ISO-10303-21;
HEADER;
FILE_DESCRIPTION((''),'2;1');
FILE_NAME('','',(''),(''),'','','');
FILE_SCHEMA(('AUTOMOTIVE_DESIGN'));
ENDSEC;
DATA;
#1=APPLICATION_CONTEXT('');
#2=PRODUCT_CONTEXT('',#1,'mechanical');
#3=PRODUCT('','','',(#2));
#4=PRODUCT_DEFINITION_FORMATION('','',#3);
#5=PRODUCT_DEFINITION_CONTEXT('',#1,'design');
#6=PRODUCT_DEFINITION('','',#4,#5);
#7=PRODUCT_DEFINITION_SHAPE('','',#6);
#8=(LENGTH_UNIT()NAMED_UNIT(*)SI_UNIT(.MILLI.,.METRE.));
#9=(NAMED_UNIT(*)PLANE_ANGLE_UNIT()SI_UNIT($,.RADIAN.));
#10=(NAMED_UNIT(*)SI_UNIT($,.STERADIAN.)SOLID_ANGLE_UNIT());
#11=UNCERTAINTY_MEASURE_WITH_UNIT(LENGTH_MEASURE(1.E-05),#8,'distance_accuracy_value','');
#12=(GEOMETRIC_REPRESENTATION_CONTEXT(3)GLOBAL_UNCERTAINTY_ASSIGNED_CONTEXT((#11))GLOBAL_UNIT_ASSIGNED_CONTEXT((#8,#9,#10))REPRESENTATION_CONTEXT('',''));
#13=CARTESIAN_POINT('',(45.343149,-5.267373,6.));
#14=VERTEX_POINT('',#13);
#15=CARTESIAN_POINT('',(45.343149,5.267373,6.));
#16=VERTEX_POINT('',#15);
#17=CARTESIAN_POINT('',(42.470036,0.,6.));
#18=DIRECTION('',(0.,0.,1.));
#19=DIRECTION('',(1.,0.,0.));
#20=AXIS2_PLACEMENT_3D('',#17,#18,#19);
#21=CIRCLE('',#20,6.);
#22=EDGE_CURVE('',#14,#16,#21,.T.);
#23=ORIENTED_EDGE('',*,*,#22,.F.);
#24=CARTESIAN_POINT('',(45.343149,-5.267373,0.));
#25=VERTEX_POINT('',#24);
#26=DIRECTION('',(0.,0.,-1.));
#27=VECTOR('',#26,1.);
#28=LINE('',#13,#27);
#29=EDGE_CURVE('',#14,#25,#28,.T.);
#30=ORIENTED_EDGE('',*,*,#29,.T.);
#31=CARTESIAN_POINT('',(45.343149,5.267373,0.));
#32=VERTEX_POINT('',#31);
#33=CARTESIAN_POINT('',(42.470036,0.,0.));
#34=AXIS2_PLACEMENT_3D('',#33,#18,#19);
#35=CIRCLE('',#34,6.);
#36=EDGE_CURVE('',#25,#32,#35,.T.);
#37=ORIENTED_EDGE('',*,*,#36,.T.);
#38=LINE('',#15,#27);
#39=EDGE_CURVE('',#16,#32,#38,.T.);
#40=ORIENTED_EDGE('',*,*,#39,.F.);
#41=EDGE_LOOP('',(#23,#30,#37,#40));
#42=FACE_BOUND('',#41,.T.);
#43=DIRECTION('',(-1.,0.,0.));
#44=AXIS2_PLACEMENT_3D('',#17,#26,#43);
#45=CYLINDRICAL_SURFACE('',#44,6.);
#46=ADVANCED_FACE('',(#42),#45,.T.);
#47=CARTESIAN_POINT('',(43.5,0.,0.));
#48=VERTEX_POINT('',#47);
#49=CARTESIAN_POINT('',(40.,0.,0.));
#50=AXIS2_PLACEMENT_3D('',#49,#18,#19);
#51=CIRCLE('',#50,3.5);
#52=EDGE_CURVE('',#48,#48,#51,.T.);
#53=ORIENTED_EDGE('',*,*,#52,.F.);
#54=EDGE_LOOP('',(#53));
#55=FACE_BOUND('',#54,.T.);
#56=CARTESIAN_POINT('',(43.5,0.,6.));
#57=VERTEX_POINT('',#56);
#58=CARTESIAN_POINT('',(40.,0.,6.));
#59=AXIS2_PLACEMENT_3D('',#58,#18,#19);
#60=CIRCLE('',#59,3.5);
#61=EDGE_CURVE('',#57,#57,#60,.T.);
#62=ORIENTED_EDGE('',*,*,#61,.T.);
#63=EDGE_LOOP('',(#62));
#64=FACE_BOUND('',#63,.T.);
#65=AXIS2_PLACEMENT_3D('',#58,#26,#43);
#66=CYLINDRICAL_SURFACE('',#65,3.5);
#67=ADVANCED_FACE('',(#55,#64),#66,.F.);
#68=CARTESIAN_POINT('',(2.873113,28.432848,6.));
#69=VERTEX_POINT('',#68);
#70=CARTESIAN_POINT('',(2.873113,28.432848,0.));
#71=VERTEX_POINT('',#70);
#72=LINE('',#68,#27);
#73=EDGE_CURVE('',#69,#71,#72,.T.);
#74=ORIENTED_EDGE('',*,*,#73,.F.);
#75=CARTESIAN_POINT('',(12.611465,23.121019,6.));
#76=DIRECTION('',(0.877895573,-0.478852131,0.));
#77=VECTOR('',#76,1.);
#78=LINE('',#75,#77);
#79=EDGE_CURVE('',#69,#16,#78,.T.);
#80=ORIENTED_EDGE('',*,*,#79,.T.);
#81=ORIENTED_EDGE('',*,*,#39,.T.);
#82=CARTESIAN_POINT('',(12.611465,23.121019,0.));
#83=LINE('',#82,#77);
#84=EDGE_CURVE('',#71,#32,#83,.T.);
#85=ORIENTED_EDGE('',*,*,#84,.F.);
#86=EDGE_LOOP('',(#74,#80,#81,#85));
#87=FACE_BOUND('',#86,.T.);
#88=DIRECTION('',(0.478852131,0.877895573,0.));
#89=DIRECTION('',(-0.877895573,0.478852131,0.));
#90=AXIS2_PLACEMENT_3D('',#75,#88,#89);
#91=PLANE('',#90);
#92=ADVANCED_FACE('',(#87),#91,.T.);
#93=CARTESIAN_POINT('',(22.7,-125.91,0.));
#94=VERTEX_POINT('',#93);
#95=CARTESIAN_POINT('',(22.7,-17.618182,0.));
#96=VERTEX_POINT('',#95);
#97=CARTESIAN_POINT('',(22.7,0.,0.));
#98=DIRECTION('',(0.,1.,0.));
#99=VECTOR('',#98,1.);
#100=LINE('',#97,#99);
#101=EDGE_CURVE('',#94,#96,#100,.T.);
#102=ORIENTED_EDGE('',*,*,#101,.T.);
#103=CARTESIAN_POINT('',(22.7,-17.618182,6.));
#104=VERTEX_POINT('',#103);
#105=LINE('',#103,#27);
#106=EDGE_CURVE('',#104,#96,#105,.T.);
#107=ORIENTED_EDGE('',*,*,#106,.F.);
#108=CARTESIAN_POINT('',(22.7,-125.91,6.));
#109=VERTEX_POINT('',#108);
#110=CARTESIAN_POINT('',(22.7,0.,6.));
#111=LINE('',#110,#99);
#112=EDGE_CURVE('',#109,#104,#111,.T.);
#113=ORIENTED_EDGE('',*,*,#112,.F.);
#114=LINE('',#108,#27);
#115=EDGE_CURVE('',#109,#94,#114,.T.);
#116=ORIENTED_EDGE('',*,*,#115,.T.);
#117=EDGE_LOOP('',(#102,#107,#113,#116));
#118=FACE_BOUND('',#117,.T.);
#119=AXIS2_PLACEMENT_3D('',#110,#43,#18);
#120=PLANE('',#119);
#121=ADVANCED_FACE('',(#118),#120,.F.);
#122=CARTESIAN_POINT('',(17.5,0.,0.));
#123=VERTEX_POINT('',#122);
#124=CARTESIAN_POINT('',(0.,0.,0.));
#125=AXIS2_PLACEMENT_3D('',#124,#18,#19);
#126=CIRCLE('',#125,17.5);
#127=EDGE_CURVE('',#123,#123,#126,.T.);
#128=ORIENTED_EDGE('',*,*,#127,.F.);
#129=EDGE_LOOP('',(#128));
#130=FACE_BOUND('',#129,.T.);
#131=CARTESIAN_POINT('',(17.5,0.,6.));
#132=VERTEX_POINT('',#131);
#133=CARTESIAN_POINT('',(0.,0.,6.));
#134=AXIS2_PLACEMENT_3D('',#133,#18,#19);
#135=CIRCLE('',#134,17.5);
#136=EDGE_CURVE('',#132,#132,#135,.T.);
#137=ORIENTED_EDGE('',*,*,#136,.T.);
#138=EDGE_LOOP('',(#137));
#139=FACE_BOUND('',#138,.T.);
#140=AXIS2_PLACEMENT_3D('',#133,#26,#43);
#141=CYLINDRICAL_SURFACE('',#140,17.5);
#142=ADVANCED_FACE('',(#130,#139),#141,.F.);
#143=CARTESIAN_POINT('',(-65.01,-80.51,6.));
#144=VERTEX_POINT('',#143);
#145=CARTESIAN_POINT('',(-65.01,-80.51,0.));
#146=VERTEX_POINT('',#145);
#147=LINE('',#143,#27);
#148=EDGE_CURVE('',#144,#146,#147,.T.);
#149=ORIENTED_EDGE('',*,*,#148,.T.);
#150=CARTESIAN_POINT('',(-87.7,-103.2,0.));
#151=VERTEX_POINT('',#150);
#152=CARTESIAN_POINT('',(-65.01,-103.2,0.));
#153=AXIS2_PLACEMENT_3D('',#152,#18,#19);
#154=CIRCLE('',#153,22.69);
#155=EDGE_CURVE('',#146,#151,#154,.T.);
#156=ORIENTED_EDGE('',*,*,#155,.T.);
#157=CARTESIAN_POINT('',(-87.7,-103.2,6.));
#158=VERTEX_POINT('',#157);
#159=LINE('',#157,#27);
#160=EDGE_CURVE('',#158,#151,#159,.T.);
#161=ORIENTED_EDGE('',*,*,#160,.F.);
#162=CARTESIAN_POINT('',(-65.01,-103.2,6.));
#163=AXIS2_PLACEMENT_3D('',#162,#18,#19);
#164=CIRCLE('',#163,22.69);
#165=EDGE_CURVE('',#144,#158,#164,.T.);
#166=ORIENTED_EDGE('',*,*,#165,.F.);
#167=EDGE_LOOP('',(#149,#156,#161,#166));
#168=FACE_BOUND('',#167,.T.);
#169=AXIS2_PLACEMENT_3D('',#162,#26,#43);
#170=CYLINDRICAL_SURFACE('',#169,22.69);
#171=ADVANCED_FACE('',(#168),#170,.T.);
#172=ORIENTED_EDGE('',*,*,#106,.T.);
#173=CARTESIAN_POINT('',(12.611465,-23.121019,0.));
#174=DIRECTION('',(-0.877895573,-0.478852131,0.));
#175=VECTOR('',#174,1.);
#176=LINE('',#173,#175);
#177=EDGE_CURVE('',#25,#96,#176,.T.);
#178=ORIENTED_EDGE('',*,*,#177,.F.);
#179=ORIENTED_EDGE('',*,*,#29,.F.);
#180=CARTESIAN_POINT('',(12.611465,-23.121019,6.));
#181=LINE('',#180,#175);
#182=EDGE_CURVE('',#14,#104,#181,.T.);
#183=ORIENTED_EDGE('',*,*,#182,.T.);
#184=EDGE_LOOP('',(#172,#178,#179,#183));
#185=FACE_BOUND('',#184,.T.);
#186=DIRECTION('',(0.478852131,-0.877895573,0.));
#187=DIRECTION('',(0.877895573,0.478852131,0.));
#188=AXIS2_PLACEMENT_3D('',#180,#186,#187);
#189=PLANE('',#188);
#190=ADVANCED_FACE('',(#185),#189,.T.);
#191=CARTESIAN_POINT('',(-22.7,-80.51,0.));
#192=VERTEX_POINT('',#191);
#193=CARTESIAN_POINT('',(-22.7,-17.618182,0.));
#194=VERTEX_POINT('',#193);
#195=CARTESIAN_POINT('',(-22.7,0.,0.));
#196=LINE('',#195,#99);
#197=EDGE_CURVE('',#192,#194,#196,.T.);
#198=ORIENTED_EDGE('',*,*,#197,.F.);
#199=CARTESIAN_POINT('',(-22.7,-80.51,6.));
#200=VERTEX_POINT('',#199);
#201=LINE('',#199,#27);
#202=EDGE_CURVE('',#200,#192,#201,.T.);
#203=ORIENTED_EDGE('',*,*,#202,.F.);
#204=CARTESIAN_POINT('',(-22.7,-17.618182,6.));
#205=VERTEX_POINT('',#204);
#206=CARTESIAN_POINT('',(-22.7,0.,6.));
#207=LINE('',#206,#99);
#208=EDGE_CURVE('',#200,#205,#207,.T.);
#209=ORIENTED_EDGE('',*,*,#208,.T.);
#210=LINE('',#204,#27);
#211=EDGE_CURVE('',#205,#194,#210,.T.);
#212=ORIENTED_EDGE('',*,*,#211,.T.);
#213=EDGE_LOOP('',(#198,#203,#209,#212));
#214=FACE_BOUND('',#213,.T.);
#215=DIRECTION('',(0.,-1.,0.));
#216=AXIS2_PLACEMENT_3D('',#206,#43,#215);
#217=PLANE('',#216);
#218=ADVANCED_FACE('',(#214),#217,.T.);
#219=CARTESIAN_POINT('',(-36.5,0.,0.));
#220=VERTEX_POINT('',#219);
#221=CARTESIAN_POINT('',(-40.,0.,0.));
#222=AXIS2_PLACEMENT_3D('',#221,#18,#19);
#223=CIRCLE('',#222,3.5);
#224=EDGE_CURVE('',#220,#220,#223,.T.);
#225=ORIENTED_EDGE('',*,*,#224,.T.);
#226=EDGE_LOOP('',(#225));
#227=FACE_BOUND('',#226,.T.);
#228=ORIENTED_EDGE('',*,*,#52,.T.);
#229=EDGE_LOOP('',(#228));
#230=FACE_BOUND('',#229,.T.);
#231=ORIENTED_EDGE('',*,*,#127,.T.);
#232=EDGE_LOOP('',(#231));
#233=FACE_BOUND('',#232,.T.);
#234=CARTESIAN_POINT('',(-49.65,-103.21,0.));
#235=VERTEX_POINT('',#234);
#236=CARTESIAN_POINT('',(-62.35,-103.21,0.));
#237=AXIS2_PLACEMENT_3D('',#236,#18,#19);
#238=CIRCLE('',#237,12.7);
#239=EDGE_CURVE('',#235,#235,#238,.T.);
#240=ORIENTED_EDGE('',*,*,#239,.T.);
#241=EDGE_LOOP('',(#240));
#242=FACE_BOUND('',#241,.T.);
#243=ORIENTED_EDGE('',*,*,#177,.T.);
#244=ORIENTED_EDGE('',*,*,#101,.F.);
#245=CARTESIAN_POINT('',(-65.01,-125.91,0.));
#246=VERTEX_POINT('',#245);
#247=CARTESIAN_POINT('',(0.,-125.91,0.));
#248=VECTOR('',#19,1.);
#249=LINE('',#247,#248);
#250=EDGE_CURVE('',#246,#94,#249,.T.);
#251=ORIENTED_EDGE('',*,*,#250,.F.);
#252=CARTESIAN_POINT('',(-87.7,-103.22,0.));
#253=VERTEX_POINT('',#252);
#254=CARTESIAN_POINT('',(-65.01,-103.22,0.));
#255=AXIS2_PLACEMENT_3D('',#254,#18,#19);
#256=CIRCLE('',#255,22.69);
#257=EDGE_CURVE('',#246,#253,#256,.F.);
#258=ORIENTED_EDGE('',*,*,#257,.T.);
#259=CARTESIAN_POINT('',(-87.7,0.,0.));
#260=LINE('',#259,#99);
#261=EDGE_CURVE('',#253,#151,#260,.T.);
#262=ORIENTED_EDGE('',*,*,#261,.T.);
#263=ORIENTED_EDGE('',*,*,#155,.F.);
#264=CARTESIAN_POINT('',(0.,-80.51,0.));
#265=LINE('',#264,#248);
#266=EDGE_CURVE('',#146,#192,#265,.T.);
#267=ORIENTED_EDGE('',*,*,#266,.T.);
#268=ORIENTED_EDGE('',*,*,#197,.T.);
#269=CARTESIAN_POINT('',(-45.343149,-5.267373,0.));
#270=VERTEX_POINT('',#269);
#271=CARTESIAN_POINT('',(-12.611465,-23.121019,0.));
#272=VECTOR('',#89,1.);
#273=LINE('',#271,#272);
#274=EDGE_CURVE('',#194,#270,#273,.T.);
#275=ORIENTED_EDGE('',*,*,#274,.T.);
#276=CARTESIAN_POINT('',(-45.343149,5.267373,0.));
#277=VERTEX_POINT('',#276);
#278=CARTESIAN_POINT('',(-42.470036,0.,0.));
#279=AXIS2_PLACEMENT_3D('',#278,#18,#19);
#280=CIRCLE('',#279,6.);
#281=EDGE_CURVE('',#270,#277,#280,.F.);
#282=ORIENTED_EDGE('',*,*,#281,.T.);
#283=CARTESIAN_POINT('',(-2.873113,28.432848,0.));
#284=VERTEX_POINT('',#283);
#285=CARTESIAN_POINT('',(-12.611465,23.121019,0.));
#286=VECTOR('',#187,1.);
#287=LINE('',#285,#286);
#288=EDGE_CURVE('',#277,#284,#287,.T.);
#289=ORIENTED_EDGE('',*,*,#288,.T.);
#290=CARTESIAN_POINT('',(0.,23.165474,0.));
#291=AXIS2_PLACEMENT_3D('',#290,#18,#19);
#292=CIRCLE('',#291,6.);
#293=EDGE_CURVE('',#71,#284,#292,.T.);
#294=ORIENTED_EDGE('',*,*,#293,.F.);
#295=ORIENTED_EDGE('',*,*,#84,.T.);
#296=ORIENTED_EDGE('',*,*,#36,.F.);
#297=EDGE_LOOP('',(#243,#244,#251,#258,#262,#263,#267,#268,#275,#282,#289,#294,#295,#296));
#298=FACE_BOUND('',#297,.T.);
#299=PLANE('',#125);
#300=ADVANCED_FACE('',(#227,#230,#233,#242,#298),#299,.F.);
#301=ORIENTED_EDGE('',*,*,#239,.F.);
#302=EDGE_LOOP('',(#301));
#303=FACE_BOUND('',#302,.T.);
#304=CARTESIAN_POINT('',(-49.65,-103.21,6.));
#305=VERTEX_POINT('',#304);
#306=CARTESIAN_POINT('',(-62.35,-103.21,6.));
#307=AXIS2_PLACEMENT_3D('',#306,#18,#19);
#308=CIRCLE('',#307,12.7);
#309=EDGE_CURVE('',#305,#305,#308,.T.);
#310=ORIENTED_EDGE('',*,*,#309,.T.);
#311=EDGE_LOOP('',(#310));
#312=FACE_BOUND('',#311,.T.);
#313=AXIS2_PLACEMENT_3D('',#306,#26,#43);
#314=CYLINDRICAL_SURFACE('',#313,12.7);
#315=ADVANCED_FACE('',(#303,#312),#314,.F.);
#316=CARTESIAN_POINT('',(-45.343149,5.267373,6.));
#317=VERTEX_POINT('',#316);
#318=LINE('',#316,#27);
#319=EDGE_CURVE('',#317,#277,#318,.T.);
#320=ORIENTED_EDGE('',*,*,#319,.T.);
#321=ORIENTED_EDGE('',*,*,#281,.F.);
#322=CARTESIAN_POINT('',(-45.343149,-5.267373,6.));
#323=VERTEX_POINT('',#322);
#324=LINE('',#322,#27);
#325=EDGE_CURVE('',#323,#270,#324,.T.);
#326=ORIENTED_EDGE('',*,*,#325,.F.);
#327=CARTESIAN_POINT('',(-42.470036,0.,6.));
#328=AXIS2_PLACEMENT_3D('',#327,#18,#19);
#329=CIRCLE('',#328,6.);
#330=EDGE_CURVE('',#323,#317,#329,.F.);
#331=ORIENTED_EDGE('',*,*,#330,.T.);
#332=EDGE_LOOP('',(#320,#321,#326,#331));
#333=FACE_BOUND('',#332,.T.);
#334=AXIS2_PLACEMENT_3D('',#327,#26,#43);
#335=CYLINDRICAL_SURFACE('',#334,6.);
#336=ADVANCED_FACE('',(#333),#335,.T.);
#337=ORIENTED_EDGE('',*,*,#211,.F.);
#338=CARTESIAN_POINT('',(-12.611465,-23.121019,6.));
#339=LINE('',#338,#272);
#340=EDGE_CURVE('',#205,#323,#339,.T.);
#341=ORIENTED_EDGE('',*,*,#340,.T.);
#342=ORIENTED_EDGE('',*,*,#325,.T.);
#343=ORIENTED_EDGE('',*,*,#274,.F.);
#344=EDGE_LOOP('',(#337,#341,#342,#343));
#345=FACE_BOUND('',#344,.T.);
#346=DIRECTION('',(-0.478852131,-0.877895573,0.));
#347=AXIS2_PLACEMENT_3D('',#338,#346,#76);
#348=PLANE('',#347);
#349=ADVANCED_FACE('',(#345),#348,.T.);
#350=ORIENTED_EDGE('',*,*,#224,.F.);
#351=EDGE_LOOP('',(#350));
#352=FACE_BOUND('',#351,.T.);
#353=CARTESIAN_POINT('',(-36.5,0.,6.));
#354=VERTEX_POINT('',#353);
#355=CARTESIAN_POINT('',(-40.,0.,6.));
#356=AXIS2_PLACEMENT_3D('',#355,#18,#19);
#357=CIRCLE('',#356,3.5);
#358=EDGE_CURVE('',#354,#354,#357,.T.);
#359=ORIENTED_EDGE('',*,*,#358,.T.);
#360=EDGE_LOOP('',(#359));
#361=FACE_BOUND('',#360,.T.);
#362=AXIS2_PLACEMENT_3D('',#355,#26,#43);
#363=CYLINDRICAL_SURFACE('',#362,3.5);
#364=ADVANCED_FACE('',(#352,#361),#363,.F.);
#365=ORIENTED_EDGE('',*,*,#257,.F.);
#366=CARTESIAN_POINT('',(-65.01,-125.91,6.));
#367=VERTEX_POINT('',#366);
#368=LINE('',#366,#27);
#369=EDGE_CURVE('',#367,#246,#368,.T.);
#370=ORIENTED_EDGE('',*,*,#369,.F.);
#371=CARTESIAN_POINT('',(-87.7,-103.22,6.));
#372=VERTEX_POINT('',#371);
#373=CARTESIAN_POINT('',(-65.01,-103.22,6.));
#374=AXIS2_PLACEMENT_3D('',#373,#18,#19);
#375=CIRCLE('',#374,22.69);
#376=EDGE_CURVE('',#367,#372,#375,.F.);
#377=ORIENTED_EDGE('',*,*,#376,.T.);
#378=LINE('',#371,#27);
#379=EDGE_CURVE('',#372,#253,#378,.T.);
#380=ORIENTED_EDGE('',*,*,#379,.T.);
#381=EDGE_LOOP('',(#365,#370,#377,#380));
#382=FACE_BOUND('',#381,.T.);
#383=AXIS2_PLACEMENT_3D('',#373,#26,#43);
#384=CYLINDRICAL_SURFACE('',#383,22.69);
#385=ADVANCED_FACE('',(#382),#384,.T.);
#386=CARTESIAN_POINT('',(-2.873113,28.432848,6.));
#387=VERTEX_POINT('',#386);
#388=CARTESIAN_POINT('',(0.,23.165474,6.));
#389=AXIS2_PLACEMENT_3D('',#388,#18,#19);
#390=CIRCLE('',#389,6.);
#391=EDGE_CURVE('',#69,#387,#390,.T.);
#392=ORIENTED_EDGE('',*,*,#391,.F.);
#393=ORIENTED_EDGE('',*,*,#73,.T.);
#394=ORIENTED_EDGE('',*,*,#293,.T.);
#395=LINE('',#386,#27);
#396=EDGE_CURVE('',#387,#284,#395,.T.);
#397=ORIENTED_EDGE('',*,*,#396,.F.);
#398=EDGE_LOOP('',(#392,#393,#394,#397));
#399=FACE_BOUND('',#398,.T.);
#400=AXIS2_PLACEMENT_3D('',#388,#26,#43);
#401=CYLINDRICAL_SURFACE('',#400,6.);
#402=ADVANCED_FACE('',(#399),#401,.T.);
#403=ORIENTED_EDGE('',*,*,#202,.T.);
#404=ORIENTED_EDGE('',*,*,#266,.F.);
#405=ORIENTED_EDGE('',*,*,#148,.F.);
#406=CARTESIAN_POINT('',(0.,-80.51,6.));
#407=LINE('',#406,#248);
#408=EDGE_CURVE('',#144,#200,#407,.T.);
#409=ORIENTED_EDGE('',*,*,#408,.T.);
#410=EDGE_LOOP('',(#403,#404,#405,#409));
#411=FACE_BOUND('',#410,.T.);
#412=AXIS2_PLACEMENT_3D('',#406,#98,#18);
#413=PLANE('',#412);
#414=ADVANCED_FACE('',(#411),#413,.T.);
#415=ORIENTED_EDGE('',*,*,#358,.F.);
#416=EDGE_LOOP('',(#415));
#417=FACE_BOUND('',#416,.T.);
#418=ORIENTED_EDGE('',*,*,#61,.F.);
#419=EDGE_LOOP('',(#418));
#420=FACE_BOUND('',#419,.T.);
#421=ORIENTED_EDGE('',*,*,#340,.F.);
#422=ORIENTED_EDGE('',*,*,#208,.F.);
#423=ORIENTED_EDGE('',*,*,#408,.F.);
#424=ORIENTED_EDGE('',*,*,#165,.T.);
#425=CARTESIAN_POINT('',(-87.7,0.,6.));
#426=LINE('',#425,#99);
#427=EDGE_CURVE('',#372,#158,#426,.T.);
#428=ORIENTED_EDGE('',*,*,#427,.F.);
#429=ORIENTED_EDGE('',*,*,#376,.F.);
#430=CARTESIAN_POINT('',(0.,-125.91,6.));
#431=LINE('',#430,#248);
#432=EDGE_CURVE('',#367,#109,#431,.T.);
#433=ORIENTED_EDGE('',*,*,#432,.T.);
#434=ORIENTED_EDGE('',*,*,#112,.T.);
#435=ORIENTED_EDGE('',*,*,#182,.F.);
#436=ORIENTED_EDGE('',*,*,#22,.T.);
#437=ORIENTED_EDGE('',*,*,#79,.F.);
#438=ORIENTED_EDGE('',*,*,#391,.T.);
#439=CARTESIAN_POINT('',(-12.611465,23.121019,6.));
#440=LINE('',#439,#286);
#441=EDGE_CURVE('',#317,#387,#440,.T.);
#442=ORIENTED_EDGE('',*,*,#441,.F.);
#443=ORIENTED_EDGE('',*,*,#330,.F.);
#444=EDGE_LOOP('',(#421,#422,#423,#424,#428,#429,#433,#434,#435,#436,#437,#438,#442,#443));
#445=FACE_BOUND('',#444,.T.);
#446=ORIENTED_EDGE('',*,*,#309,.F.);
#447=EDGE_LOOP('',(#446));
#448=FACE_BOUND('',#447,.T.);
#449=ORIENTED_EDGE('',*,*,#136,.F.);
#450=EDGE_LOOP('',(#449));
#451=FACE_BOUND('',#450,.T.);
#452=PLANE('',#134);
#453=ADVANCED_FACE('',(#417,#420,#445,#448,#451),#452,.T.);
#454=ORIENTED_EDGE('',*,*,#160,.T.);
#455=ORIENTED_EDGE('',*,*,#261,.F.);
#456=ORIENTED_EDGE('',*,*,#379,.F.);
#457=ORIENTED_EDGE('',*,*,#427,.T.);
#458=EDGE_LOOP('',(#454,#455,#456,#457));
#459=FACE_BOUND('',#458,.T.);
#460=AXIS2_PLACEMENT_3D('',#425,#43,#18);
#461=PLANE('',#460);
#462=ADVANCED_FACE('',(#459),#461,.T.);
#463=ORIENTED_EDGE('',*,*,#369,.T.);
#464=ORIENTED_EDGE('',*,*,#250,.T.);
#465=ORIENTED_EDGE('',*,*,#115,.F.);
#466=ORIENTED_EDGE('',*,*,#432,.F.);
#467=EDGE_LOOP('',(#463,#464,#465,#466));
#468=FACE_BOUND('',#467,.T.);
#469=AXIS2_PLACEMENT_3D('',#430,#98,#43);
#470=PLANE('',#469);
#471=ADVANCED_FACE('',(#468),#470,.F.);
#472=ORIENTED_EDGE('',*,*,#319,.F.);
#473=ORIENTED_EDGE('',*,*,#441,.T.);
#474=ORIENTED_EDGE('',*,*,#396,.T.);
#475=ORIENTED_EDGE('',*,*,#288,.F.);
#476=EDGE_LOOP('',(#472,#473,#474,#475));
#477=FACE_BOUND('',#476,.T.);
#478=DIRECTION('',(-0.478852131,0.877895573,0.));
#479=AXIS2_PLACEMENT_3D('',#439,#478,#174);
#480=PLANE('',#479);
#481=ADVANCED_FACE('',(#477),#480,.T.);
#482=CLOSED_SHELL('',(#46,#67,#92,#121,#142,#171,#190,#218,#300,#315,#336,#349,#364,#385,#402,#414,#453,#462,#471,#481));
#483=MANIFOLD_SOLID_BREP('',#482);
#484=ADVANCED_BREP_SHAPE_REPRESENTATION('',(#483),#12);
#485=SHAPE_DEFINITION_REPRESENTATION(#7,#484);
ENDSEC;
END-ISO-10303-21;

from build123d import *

# Parameters (mm, degrees)
SKETCH1_R           = 3.5
SKETCH1_R_2         = 17.5
SKETCH1_R_3         = 12.7
BOSS_EXTRUDE1_DEPTH = 6


with BuildPart() as part:
    # Sketch1 → Boss-Extrude1 (new body)
    with BuildSketch(Plane.XY):
        with BuildLine():
            Line((-45.343148698, -5.267373437), (-22.7, -17.618181818))
            Line((-22.7, -17.618181818), (-22.7, -80.51))
            Line((-22.7, -80.51), (-65.01, -80.51))
            ThreePointArc((-65.01, -80.51), (-81.054252865, -87.155747135), (-87.7, -103.2))
            Line((-87.7, -103.2), (-87.7, -103.22))
            ThreePointArc((-87.7, -103.22), (-81.054252865, -119.264252865), (-65.01, -125.91))
            Line((-65.01, -125.91), (22.7, -125.91))
            Line((22.7, -125.91), (22.7, -17.618181818))
            Line((22.7, -17.618181818), (45.343148698, -5.267373437))
            ThreePointArc((45.343148698, -5.267373437), (47.629429129, -3.062786582), (48.470035914, 0))
            ThreePointArc((48.470035914, 0), (47.629429129, 3.062786582), (45.343148698, 5.267373437))
            Line((45.343148698, 5.267373437), (2.873112784, 28.432847572))
            ThreePointArc((2.873112784, 28.432847572), (0, 29.165474135), (-2.873112784, 28.432847572))
            Line((-2.873112784, 28.432847572), (-45.343148698, 5.267373437))
            ThreePointArc((-45.343148698, 5.267373437), (-48.470035914, 0), (-45.343148698, -5.267373437))
        make_face()
        with Locations((-40, 0)):
            Circle(SKETCH1_R, mode=Mode.SUBTRACT)
        Circle(SKETCH1_R_2, mode=Mode.SUBTRACT)
        with Locations((40, 0)):
            Circle(SKETCH1_R, mode=Mode.SUBTRACT)
        with Locations((-62.35, -103.21)):
            Circle(SKETCH1_R_3, mode=Mode.SUBTRACT)
    extrude(amount=BOSS_EXTRUDE1_DEPTH)


solid = part.part
